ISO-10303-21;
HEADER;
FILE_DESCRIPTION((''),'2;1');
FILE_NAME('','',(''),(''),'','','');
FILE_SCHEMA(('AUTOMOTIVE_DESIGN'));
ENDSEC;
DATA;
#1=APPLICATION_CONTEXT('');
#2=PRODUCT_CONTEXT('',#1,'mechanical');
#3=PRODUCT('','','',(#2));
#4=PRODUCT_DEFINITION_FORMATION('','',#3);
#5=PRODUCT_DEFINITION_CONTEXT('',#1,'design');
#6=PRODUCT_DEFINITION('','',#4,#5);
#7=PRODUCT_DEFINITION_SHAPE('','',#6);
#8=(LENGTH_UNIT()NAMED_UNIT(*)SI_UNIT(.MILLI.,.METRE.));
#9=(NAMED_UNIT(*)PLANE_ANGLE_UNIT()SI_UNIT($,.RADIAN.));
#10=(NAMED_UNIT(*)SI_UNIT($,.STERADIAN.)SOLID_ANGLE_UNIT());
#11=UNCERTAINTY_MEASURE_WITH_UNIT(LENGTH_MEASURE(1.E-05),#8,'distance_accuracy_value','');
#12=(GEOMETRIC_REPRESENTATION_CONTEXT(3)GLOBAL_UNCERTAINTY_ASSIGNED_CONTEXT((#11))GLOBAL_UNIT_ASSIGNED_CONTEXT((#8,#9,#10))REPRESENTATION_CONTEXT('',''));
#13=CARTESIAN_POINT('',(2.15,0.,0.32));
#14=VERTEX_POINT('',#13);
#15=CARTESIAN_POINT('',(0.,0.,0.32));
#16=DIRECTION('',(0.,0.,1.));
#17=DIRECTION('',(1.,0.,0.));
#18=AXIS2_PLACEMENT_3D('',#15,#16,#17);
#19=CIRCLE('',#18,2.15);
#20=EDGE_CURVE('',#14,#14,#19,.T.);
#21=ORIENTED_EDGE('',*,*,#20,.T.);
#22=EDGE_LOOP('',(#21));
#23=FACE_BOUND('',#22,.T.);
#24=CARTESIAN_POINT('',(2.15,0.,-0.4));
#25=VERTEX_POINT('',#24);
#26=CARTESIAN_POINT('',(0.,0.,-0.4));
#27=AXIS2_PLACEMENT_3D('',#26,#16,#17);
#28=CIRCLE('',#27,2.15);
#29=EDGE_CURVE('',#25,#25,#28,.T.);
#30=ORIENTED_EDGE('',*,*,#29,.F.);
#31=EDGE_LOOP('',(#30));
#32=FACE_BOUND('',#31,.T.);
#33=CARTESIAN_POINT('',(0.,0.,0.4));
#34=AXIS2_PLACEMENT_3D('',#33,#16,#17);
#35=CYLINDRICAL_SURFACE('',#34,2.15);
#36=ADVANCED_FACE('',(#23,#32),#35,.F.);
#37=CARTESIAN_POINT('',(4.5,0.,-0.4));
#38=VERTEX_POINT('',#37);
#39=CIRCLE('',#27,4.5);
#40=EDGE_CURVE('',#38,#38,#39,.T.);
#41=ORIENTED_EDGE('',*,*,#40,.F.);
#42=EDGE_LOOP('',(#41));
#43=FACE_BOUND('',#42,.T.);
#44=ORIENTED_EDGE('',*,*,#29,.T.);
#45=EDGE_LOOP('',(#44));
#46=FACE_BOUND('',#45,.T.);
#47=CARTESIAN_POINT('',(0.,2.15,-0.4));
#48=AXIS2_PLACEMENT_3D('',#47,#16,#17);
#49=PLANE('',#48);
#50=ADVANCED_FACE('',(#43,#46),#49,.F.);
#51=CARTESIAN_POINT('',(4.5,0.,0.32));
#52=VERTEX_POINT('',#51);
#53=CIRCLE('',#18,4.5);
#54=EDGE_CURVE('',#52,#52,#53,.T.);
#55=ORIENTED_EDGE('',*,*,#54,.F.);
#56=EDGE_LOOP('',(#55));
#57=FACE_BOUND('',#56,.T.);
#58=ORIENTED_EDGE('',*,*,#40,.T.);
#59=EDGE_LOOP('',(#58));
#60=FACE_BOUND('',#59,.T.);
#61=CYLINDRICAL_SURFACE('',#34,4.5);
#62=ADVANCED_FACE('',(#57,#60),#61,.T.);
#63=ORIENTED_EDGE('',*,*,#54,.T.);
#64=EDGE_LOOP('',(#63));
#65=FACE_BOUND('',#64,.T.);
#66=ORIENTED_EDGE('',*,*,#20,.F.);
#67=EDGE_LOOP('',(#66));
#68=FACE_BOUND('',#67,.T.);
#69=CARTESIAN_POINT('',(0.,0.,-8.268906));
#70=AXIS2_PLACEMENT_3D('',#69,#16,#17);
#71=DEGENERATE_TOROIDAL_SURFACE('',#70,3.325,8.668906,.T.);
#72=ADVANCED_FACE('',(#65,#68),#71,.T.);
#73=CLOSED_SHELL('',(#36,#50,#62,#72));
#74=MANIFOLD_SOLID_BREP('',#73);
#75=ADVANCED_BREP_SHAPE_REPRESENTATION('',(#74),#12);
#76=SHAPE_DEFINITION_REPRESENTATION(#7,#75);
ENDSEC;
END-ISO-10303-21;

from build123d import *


with BuildPart() as part:
    # Sketch3 → Revolve1 (revolve)
    with BuildSketch(Plane(origin=(0, 0, 0), x_dir=(0, 0, -1), z_dir=(1, 0, 0))):
        with BuildLine():
            Line((0.4, 4.5), (-0.32, 4.5))
            ThreePointArc((-0.32, 4.5), (-0.4, 3.325), (-0.32, 2.15))
            Line((-0.32, 2.15), (0.4, 2.15))
            Line((0.4, 2.15), (0.4, 4.5))
        make_face()
    revolve(axis=Axis((0, 0, 0.4), (0, 0, -1)))


solid = part.part
